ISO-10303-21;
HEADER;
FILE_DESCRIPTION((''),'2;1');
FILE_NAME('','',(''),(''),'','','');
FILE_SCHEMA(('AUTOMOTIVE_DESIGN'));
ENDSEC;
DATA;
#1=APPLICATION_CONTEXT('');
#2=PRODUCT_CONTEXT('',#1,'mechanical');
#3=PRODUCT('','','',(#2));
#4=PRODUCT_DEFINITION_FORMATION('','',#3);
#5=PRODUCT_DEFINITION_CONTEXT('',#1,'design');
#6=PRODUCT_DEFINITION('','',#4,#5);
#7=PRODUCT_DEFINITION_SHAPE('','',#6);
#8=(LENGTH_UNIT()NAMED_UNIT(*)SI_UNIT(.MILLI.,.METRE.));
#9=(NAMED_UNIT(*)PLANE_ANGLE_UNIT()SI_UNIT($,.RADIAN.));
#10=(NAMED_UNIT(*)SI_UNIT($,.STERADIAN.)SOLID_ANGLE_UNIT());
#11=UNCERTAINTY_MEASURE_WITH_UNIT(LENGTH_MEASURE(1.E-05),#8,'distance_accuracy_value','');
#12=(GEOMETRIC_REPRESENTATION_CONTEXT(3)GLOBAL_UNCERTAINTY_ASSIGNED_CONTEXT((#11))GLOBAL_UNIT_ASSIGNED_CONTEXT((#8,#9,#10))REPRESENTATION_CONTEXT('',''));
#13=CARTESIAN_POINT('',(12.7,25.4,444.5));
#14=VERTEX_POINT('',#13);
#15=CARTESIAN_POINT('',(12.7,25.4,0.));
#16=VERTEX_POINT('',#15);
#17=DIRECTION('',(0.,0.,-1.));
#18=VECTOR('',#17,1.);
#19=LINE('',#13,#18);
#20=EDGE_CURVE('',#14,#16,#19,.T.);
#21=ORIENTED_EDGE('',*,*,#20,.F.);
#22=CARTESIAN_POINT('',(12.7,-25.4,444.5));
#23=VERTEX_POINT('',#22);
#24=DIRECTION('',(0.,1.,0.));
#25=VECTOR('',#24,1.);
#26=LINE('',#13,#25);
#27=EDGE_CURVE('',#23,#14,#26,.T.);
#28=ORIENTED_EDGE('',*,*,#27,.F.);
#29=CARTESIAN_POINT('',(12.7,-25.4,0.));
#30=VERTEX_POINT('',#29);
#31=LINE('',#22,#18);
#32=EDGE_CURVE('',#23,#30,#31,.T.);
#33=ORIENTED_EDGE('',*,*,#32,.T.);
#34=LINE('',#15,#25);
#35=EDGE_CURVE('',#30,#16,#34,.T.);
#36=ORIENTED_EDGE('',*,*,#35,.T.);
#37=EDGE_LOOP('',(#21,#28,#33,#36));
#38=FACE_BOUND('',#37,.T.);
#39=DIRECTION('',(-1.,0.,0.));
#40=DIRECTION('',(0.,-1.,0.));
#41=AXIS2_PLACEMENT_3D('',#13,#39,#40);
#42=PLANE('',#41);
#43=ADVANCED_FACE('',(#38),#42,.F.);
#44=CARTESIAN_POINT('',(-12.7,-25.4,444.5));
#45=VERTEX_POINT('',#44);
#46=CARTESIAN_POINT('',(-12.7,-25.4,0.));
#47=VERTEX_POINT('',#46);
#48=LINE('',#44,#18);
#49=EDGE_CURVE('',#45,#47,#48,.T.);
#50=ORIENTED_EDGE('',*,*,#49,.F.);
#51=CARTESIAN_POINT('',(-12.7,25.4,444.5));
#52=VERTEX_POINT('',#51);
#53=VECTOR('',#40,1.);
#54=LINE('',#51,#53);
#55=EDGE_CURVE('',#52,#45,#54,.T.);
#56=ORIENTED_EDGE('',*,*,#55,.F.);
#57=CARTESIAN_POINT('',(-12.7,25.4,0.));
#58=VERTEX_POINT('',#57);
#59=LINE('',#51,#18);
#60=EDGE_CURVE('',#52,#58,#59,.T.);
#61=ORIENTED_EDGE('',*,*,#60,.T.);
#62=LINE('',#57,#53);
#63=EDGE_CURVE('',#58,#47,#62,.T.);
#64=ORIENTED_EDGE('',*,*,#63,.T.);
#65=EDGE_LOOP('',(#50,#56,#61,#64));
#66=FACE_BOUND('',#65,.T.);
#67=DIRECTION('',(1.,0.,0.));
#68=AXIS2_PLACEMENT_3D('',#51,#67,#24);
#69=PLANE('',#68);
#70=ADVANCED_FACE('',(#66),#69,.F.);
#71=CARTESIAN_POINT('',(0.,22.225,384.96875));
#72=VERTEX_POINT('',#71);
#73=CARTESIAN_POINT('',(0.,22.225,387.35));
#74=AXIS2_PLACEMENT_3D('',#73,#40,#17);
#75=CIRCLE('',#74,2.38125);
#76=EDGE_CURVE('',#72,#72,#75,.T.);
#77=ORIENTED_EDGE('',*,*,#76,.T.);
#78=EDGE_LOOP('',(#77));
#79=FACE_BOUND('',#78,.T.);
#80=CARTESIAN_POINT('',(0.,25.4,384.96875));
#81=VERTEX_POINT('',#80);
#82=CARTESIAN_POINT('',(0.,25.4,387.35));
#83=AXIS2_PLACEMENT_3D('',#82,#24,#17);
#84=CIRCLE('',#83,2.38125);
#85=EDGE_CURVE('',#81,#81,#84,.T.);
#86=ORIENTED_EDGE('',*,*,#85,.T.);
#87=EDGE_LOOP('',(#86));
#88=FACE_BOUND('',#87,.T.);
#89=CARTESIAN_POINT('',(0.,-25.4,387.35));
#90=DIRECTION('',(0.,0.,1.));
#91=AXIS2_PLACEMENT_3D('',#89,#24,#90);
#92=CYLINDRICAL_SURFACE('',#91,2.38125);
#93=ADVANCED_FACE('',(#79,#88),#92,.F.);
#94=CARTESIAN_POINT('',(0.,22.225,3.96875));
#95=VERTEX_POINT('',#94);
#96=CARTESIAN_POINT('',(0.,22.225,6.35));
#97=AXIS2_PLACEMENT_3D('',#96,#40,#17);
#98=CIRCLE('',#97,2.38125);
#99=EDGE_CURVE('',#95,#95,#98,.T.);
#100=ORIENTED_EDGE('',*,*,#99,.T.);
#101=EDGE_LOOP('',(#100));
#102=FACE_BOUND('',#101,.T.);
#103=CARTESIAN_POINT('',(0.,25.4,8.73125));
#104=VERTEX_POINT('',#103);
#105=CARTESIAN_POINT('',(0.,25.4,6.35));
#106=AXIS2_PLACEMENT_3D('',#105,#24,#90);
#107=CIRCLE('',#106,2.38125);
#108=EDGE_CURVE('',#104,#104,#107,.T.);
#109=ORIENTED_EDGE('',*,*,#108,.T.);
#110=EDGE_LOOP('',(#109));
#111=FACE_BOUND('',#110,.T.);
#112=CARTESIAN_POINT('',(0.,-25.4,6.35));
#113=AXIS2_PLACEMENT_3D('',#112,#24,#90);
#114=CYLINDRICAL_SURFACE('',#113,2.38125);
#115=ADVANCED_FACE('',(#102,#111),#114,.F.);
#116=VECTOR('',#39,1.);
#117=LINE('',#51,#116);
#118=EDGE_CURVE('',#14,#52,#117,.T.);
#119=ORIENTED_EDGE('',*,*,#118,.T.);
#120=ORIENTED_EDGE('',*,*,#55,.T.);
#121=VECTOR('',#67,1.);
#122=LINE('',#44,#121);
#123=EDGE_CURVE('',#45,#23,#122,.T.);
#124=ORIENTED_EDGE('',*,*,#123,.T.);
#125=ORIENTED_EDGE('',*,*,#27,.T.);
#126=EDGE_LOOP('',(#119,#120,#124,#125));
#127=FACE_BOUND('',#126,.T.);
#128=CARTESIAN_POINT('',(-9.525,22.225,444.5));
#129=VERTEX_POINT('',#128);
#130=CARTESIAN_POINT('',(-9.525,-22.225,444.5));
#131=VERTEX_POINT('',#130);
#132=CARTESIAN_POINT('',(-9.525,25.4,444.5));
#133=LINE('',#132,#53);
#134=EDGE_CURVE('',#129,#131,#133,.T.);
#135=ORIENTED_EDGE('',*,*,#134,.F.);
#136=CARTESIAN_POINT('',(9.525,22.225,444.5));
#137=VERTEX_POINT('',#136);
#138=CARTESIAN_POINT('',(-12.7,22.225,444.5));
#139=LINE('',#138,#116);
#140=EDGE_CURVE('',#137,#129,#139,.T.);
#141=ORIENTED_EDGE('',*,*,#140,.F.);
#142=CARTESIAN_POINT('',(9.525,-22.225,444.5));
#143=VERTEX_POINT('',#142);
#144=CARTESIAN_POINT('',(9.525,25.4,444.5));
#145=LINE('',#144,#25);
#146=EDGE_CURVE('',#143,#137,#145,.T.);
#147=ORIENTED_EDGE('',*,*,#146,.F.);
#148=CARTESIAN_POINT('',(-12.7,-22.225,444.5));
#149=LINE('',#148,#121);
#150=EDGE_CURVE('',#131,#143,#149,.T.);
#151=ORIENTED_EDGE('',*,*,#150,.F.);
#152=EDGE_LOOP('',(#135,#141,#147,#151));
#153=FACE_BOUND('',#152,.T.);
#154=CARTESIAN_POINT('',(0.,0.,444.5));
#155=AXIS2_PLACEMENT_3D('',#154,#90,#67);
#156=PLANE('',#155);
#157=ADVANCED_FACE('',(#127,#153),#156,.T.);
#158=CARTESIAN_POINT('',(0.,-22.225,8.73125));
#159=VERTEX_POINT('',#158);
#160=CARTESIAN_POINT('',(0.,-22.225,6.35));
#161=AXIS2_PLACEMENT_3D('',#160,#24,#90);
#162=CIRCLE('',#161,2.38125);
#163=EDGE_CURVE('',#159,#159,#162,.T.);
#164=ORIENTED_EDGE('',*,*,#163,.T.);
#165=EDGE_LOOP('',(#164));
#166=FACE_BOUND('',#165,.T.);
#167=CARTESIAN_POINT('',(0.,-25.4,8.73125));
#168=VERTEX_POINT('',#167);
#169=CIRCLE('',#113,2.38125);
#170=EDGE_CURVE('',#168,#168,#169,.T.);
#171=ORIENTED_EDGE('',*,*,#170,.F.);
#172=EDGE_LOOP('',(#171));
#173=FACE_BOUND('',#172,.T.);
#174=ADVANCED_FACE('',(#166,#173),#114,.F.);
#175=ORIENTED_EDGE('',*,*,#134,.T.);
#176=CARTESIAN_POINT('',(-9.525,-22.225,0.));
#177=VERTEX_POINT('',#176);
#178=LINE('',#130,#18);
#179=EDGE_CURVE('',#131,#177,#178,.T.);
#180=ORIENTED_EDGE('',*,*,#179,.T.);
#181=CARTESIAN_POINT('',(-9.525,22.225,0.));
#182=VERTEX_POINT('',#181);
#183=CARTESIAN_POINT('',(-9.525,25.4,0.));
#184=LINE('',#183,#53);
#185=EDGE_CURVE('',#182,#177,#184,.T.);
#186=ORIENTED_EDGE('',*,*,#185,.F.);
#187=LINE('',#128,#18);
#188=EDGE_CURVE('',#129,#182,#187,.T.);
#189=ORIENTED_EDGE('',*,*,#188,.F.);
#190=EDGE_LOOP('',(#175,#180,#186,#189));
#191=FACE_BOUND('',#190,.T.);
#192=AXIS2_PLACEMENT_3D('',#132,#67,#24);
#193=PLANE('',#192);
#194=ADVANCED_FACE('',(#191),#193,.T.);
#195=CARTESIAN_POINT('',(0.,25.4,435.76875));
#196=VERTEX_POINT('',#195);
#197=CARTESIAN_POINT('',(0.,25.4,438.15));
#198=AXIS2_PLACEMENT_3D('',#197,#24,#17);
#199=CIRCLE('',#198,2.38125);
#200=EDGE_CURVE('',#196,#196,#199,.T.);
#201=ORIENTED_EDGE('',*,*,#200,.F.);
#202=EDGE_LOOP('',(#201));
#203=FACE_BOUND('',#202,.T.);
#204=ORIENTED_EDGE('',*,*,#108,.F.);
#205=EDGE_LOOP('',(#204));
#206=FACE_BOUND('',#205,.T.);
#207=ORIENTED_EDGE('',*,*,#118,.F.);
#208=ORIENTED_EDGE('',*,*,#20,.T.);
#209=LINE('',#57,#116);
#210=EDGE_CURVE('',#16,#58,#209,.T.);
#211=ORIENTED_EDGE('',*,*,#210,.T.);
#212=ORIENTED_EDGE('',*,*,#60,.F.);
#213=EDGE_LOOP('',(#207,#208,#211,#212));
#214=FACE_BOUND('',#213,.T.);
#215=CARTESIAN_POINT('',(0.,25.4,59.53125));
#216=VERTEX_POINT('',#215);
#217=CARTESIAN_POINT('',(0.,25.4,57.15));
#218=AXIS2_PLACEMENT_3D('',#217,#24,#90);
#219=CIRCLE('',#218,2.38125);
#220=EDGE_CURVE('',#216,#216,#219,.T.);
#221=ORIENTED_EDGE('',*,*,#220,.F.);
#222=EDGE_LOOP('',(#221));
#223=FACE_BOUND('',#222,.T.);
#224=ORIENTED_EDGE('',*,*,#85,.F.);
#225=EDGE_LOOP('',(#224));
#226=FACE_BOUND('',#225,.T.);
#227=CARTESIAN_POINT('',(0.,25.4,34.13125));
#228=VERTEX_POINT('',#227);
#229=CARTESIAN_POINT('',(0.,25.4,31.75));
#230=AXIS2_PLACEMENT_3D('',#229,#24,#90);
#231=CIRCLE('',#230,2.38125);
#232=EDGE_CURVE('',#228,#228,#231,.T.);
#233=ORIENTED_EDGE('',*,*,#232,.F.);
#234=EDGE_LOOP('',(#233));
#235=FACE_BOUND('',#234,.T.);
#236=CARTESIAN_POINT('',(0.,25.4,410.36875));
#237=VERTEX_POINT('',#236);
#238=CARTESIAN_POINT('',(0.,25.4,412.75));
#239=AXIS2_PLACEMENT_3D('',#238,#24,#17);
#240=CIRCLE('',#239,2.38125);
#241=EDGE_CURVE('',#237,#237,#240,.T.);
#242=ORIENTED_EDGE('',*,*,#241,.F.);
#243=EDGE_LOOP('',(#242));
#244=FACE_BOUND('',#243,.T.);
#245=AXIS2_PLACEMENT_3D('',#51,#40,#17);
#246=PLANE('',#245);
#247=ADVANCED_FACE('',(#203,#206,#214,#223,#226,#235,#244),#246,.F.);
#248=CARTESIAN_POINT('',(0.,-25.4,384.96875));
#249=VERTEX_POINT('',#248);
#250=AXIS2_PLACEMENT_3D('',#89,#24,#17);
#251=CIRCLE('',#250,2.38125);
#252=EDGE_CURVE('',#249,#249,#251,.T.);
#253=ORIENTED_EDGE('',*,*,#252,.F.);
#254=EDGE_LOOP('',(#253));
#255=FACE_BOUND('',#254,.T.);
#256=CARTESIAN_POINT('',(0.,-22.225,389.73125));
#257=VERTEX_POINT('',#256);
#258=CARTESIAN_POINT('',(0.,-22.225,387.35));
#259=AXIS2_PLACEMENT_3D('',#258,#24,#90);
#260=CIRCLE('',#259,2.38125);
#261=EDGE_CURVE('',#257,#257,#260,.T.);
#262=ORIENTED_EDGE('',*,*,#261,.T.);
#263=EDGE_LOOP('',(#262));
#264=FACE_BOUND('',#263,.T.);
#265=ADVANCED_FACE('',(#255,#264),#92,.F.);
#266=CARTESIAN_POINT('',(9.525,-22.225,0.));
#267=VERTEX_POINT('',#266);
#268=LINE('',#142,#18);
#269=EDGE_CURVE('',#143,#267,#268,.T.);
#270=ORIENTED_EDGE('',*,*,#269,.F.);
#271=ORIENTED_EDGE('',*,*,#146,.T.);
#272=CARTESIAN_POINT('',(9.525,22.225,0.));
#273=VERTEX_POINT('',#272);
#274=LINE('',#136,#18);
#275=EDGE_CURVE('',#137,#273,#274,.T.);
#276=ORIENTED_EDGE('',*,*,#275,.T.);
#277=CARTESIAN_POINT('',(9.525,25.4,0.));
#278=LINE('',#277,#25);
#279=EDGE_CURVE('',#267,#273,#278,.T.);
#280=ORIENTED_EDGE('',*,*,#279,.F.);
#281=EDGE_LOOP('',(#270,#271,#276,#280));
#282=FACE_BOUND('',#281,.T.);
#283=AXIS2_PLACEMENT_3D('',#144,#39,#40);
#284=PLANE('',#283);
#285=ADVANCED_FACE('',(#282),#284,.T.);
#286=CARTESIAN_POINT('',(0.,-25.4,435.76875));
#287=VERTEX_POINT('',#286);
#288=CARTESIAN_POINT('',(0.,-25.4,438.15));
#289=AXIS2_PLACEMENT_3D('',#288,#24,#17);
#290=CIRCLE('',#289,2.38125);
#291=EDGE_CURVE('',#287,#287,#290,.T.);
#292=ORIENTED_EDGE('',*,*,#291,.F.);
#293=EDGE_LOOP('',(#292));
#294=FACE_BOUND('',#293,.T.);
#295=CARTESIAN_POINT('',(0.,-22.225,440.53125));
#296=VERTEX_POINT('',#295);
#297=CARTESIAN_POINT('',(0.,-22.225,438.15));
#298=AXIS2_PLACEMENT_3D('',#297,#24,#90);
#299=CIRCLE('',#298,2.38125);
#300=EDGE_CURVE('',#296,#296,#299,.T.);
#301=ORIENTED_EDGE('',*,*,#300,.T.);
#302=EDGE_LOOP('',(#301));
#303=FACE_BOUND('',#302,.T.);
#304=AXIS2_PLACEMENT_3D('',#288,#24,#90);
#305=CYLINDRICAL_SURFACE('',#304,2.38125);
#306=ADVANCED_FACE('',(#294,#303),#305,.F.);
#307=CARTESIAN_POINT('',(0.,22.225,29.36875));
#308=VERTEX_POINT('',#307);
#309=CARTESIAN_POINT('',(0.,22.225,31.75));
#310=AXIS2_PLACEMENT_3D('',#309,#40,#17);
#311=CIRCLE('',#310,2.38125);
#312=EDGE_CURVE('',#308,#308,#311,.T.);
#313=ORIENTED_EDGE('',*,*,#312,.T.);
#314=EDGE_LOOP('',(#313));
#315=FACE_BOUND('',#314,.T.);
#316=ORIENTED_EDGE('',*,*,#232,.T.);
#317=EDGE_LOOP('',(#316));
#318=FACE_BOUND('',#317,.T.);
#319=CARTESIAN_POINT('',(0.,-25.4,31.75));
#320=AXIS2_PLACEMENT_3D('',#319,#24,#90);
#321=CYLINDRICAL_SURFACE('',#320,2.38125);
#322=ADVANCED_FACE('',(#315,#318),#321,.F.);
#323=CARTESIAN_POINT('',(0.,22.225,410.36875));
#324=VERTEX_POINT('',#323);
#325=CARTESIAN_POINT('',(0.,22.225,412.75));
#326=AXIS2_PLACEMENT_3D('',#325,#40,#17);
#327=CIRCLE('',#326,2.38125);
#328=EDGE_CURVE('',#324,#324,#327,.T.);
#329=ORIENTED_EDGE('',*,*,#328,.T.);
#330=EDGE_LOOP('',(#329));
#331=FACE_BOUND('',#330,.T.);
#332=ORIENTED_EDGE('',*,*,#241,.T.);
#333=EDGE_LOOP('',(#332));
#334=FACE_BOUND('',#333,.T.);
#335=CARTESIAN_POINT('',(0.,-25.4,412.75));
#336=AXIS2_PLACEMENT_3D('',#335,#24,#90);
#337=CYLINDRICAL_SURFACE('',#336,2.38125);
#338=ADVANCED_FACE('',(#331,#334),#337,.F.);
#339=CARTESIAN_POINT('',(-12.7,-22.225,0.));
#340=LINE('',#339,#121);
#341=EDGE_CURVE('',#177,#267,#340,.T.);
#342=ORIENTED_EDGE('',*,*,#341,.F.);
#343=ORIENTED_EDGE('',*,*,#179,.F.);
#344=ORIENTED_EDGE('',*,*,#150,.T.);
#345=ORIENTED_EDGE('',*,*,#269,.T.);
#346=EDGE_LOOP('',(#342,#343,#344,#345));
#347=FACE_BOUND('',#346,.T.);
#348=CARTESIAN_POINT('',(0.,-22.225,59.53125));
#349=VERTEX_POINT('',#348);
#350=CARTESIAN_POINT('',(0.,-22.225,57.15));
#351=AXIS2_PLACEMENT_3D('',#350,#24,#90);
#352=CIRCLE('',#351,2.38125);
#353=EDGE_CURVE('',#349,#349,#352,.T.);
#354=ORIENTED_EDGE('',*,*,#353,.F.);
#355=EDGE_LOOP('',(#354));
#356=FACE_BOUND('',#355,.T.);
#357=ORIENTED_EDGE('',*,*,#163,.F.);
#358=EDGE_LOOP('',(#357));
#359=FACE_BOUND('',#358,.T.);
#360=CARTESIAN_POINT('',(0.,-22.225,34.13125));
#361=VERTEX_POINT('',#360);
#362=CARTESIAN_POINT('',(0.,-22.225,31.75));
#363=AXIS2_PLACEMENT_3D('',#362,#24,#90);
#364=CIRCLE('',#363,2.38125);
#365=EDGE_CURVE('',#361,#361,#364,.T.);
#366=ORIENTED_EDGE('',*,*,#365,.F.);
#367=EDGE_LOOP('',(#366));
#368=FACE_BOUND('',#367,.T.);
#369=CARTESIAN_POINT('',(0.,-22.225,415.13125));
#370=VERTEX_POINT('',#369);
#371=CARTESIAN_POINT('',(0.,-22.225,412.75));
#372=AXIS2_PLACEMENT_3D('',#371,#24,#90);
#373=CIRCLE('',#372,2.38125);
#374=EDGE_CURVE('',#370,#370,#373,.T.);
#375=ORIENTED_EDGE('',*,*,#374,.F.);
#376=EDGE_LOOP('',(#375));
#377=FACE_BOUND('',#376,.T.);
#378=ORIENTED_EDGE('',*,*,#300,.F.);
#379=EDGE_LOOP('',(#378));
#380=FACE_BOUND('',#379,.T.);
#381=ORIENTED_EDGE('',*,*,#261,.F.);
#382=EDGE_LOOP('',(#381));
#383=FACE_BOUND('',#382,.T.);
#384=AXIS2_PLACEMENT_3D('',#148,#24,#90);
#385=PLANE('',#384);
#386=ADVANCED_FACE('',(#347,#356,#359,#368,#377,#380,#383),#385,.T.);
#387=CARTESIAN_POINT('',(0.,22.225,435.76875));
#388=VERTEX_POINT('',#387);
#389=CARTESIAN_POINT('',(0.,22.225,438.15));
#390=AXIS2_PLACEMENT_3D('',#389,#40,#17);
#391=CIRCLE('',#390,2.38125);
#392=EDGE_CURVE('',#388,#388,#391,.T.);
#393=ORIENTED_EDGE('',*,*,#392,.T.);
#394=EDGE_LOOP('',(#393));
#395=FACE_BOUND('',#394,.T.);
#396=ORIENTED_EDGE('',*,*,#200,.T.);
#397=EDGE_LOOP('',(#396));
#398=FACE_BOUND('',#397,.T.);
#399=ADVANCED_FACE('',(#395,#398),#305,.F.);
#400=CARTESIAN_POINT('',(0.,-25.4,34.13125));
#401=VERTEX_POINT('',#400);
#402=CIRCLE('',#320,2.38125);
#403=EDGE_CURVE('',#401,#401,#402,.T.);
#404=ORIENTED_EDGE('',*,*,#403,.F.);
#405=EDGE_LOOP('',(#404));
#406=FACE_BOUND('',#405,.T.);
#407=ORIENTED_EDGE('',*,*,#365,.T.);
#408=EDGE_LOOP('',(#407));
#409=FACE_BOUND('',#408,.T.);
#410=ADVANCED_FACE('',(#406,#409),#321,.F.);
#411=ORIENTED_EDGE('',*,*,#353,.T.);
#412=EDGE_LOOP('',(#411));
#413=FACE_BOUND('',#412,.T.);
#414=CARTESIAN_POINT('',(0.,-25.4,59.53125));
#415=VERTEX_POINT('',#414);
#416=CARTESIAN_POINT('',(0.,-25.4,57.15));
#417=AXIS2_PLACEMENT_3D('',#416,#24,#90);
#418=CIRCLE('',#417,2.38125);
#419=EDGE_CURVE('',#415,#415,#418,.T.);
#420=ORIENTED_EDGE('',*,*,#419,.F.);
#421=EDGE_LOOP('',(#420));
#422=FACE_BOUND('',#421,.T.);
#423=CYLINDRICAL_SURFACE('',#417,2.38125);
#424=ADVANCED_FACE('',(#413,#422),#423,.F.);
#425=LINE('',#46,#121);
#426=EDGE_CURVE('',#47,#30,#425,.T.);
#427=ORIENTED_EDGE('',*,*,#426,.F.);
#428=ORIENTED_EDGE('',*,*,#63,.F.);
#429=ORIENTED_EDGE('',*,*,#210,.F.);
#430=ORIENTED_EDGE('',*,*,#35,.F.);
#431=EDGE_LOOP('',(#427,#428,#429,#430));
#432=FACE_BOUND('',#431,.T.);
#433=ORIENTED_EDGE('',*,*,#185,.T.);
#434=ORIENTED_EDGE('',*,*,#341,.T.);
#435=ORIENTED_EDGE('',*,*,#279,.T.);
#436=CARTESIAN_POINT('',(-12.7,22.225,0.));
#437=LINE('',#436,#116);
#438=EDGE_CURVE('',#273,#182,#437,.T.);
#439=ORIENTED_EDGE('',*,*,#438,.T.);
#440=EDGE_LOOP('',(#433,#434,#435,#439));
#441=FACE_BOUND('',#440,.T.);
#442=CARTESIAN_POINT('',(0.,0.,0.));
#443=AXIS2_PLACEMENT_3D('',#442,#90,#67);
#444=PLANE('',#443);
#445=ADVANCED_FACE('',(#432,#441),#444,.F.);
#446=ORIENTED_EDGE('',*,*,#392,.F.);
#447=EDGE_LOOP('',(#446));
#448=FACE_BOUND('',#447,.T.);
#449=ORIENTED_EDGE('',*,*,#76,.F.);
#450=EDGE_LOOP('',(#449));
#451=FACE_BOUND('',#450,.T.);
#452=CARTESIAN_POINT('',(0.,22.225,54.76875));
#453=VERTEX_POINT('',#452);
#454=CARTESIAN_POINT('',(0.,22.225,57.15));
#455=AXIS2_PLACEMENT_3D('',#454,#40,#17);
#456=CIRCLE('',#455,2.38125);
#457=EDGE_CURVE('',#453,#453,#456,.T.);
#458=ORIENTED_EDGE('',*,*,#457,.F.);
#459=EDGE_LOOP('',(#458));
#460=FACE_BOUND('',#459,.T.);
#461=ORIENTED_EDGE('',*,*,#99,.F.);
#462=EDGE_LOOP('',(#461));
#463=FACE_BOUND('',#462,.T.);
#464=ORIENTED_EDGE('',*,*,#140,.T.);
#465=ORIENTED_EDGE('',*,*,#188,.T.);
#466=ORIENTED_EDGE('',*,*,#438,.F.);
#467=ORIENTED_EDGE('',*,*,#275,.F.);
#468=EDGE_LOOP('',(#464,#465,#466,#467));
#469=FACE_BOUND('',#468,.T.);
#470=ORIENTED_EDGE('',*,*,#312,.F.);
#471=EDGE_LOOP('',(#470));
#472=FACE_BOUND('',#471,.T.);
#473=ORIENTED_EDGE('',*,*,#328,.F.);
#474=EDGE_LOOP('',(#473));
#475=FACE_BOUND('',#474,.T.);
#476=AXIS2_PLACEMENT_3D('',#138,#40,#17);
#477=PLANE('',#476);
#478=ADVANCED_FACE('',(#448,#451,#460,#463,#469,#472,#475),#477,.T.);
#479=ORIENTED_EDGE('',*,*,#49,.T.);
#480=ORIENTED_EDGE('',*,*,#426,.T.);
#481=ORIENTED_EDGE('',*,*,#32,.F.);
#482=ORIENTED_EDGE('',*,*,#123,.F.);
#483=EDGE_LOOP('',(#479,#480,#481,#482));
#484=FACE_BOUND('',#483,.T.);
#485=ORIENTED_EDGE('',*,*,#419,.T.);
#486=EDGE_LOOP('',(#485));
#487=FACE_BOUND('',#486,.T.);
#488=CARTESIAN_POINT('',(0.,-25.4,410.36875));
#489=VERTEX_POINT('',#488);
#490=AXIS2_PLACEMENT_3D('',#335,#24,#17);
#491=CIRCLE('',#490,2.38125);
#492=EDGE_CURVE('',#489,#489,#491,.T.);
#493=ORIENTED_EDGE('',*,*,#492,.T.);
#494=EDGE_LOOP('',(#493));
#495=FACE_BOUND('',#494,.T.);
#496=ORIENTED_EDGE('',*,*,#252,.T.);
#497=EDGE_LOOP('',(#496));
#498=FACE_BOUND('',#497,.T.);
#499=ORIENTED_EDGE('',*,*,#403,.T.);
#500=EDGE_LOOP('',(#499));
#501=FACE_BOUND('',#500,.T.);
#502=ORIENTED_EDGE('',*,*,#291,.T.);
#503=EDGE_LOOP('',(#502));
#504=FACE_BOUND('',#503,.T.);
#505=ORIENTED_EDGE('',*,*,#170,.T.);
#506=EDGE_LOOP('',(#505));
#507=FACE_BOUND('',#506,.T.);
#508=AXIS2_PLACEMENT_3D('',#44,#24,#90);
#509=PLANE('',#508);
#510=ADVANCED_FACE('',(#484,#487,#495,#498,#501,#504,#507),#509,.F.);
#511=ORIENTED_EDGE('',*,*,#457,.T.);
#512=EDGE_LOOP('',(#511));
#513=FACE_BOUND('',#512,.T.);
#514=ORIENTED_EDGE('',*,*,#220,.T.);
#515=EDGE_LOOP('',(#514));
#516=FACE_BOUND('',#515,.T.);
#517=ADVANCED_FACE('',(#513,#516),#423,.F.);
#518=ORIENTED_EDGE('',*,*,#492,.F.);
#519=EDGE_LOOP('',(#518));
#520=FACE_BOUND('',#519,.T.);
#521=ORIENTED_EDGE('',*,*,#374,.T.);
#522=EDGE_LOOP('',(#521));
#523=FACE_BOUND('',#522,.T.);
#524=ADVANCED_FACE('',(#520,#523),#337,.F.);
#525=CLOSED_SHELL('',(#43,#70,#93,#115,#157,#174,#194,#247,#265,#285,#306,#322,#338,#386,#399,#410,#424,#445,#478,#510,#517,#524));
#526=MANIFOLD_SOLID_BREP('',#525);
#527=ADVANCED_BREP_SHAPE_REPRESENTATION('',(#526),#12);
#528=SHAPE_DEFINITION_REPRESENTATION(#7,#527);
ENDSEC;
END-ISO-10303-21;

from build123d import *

# Parameters (mm, degrees)
SKETCH1_W           = 25.4
SKETCH1_H           = 50.8
BOSS_EXTRUDE1_DEPTH = 444.5
SHELL1_T            = -3.175
SKETCH2_R           = 2.38125
CUT_EXTRUDE1_DEPTH  = 448.573658742


with BuildPart() as part:
    # Sketch1 → Boss-Extrude1 (new body)
    with BuildSketch(Plane.XY):
        Rectangle(SKETCH1_W, SKETCH1_H)
    extrude(amount=BOSS_EXTRUDE1_DEPTH)

    # Shell1
    shell1_openings = [part.faces().sort_by_distance(p)[0] for p in [
        (0, 0, 444.5),
        (0, 0, 0),
    ]]
    offset(amount=SHELL1_T, openings=shell1_openings, kind=Kind.INTERSECTION)

    # Sketch2 → Cut-Extrude1 (cut, through all)
    with BuildSketch(Plane(origin=(0, 25.4, 0), x_dir=(1, 0, 0), z_dir=(0, 1, 0))):
        with Locations(Location((0, -6.35, 0), (0, 0, 270))):
            Circle(SKETCH2_R)
        with Locations(Location((0, -31.75, 0), (0, 0, 270))):
            Circle(SKETCH2_R)
        with Locations(Location((0, -57.15, 0), (0, 0, 270))):
            Circle(SKETCH2_R)
        with Locations(Location((0, -387.35, 0), (0, 0, 270))):
            Circle(SKETCH2_R)
        with Locations(Location((0, -412.75, 0), (0, 0, 270))):
            Circle(SKETCH2_R)
        with Locations(Location((0, -438.15, 0), (0, 0, 270))):
            Circle(SKETCH2_R)
    extrude(amount=-CUT_EXTRUDE1_DEPTH, mode=Mode.SUBTRACT)


solid = part.part
